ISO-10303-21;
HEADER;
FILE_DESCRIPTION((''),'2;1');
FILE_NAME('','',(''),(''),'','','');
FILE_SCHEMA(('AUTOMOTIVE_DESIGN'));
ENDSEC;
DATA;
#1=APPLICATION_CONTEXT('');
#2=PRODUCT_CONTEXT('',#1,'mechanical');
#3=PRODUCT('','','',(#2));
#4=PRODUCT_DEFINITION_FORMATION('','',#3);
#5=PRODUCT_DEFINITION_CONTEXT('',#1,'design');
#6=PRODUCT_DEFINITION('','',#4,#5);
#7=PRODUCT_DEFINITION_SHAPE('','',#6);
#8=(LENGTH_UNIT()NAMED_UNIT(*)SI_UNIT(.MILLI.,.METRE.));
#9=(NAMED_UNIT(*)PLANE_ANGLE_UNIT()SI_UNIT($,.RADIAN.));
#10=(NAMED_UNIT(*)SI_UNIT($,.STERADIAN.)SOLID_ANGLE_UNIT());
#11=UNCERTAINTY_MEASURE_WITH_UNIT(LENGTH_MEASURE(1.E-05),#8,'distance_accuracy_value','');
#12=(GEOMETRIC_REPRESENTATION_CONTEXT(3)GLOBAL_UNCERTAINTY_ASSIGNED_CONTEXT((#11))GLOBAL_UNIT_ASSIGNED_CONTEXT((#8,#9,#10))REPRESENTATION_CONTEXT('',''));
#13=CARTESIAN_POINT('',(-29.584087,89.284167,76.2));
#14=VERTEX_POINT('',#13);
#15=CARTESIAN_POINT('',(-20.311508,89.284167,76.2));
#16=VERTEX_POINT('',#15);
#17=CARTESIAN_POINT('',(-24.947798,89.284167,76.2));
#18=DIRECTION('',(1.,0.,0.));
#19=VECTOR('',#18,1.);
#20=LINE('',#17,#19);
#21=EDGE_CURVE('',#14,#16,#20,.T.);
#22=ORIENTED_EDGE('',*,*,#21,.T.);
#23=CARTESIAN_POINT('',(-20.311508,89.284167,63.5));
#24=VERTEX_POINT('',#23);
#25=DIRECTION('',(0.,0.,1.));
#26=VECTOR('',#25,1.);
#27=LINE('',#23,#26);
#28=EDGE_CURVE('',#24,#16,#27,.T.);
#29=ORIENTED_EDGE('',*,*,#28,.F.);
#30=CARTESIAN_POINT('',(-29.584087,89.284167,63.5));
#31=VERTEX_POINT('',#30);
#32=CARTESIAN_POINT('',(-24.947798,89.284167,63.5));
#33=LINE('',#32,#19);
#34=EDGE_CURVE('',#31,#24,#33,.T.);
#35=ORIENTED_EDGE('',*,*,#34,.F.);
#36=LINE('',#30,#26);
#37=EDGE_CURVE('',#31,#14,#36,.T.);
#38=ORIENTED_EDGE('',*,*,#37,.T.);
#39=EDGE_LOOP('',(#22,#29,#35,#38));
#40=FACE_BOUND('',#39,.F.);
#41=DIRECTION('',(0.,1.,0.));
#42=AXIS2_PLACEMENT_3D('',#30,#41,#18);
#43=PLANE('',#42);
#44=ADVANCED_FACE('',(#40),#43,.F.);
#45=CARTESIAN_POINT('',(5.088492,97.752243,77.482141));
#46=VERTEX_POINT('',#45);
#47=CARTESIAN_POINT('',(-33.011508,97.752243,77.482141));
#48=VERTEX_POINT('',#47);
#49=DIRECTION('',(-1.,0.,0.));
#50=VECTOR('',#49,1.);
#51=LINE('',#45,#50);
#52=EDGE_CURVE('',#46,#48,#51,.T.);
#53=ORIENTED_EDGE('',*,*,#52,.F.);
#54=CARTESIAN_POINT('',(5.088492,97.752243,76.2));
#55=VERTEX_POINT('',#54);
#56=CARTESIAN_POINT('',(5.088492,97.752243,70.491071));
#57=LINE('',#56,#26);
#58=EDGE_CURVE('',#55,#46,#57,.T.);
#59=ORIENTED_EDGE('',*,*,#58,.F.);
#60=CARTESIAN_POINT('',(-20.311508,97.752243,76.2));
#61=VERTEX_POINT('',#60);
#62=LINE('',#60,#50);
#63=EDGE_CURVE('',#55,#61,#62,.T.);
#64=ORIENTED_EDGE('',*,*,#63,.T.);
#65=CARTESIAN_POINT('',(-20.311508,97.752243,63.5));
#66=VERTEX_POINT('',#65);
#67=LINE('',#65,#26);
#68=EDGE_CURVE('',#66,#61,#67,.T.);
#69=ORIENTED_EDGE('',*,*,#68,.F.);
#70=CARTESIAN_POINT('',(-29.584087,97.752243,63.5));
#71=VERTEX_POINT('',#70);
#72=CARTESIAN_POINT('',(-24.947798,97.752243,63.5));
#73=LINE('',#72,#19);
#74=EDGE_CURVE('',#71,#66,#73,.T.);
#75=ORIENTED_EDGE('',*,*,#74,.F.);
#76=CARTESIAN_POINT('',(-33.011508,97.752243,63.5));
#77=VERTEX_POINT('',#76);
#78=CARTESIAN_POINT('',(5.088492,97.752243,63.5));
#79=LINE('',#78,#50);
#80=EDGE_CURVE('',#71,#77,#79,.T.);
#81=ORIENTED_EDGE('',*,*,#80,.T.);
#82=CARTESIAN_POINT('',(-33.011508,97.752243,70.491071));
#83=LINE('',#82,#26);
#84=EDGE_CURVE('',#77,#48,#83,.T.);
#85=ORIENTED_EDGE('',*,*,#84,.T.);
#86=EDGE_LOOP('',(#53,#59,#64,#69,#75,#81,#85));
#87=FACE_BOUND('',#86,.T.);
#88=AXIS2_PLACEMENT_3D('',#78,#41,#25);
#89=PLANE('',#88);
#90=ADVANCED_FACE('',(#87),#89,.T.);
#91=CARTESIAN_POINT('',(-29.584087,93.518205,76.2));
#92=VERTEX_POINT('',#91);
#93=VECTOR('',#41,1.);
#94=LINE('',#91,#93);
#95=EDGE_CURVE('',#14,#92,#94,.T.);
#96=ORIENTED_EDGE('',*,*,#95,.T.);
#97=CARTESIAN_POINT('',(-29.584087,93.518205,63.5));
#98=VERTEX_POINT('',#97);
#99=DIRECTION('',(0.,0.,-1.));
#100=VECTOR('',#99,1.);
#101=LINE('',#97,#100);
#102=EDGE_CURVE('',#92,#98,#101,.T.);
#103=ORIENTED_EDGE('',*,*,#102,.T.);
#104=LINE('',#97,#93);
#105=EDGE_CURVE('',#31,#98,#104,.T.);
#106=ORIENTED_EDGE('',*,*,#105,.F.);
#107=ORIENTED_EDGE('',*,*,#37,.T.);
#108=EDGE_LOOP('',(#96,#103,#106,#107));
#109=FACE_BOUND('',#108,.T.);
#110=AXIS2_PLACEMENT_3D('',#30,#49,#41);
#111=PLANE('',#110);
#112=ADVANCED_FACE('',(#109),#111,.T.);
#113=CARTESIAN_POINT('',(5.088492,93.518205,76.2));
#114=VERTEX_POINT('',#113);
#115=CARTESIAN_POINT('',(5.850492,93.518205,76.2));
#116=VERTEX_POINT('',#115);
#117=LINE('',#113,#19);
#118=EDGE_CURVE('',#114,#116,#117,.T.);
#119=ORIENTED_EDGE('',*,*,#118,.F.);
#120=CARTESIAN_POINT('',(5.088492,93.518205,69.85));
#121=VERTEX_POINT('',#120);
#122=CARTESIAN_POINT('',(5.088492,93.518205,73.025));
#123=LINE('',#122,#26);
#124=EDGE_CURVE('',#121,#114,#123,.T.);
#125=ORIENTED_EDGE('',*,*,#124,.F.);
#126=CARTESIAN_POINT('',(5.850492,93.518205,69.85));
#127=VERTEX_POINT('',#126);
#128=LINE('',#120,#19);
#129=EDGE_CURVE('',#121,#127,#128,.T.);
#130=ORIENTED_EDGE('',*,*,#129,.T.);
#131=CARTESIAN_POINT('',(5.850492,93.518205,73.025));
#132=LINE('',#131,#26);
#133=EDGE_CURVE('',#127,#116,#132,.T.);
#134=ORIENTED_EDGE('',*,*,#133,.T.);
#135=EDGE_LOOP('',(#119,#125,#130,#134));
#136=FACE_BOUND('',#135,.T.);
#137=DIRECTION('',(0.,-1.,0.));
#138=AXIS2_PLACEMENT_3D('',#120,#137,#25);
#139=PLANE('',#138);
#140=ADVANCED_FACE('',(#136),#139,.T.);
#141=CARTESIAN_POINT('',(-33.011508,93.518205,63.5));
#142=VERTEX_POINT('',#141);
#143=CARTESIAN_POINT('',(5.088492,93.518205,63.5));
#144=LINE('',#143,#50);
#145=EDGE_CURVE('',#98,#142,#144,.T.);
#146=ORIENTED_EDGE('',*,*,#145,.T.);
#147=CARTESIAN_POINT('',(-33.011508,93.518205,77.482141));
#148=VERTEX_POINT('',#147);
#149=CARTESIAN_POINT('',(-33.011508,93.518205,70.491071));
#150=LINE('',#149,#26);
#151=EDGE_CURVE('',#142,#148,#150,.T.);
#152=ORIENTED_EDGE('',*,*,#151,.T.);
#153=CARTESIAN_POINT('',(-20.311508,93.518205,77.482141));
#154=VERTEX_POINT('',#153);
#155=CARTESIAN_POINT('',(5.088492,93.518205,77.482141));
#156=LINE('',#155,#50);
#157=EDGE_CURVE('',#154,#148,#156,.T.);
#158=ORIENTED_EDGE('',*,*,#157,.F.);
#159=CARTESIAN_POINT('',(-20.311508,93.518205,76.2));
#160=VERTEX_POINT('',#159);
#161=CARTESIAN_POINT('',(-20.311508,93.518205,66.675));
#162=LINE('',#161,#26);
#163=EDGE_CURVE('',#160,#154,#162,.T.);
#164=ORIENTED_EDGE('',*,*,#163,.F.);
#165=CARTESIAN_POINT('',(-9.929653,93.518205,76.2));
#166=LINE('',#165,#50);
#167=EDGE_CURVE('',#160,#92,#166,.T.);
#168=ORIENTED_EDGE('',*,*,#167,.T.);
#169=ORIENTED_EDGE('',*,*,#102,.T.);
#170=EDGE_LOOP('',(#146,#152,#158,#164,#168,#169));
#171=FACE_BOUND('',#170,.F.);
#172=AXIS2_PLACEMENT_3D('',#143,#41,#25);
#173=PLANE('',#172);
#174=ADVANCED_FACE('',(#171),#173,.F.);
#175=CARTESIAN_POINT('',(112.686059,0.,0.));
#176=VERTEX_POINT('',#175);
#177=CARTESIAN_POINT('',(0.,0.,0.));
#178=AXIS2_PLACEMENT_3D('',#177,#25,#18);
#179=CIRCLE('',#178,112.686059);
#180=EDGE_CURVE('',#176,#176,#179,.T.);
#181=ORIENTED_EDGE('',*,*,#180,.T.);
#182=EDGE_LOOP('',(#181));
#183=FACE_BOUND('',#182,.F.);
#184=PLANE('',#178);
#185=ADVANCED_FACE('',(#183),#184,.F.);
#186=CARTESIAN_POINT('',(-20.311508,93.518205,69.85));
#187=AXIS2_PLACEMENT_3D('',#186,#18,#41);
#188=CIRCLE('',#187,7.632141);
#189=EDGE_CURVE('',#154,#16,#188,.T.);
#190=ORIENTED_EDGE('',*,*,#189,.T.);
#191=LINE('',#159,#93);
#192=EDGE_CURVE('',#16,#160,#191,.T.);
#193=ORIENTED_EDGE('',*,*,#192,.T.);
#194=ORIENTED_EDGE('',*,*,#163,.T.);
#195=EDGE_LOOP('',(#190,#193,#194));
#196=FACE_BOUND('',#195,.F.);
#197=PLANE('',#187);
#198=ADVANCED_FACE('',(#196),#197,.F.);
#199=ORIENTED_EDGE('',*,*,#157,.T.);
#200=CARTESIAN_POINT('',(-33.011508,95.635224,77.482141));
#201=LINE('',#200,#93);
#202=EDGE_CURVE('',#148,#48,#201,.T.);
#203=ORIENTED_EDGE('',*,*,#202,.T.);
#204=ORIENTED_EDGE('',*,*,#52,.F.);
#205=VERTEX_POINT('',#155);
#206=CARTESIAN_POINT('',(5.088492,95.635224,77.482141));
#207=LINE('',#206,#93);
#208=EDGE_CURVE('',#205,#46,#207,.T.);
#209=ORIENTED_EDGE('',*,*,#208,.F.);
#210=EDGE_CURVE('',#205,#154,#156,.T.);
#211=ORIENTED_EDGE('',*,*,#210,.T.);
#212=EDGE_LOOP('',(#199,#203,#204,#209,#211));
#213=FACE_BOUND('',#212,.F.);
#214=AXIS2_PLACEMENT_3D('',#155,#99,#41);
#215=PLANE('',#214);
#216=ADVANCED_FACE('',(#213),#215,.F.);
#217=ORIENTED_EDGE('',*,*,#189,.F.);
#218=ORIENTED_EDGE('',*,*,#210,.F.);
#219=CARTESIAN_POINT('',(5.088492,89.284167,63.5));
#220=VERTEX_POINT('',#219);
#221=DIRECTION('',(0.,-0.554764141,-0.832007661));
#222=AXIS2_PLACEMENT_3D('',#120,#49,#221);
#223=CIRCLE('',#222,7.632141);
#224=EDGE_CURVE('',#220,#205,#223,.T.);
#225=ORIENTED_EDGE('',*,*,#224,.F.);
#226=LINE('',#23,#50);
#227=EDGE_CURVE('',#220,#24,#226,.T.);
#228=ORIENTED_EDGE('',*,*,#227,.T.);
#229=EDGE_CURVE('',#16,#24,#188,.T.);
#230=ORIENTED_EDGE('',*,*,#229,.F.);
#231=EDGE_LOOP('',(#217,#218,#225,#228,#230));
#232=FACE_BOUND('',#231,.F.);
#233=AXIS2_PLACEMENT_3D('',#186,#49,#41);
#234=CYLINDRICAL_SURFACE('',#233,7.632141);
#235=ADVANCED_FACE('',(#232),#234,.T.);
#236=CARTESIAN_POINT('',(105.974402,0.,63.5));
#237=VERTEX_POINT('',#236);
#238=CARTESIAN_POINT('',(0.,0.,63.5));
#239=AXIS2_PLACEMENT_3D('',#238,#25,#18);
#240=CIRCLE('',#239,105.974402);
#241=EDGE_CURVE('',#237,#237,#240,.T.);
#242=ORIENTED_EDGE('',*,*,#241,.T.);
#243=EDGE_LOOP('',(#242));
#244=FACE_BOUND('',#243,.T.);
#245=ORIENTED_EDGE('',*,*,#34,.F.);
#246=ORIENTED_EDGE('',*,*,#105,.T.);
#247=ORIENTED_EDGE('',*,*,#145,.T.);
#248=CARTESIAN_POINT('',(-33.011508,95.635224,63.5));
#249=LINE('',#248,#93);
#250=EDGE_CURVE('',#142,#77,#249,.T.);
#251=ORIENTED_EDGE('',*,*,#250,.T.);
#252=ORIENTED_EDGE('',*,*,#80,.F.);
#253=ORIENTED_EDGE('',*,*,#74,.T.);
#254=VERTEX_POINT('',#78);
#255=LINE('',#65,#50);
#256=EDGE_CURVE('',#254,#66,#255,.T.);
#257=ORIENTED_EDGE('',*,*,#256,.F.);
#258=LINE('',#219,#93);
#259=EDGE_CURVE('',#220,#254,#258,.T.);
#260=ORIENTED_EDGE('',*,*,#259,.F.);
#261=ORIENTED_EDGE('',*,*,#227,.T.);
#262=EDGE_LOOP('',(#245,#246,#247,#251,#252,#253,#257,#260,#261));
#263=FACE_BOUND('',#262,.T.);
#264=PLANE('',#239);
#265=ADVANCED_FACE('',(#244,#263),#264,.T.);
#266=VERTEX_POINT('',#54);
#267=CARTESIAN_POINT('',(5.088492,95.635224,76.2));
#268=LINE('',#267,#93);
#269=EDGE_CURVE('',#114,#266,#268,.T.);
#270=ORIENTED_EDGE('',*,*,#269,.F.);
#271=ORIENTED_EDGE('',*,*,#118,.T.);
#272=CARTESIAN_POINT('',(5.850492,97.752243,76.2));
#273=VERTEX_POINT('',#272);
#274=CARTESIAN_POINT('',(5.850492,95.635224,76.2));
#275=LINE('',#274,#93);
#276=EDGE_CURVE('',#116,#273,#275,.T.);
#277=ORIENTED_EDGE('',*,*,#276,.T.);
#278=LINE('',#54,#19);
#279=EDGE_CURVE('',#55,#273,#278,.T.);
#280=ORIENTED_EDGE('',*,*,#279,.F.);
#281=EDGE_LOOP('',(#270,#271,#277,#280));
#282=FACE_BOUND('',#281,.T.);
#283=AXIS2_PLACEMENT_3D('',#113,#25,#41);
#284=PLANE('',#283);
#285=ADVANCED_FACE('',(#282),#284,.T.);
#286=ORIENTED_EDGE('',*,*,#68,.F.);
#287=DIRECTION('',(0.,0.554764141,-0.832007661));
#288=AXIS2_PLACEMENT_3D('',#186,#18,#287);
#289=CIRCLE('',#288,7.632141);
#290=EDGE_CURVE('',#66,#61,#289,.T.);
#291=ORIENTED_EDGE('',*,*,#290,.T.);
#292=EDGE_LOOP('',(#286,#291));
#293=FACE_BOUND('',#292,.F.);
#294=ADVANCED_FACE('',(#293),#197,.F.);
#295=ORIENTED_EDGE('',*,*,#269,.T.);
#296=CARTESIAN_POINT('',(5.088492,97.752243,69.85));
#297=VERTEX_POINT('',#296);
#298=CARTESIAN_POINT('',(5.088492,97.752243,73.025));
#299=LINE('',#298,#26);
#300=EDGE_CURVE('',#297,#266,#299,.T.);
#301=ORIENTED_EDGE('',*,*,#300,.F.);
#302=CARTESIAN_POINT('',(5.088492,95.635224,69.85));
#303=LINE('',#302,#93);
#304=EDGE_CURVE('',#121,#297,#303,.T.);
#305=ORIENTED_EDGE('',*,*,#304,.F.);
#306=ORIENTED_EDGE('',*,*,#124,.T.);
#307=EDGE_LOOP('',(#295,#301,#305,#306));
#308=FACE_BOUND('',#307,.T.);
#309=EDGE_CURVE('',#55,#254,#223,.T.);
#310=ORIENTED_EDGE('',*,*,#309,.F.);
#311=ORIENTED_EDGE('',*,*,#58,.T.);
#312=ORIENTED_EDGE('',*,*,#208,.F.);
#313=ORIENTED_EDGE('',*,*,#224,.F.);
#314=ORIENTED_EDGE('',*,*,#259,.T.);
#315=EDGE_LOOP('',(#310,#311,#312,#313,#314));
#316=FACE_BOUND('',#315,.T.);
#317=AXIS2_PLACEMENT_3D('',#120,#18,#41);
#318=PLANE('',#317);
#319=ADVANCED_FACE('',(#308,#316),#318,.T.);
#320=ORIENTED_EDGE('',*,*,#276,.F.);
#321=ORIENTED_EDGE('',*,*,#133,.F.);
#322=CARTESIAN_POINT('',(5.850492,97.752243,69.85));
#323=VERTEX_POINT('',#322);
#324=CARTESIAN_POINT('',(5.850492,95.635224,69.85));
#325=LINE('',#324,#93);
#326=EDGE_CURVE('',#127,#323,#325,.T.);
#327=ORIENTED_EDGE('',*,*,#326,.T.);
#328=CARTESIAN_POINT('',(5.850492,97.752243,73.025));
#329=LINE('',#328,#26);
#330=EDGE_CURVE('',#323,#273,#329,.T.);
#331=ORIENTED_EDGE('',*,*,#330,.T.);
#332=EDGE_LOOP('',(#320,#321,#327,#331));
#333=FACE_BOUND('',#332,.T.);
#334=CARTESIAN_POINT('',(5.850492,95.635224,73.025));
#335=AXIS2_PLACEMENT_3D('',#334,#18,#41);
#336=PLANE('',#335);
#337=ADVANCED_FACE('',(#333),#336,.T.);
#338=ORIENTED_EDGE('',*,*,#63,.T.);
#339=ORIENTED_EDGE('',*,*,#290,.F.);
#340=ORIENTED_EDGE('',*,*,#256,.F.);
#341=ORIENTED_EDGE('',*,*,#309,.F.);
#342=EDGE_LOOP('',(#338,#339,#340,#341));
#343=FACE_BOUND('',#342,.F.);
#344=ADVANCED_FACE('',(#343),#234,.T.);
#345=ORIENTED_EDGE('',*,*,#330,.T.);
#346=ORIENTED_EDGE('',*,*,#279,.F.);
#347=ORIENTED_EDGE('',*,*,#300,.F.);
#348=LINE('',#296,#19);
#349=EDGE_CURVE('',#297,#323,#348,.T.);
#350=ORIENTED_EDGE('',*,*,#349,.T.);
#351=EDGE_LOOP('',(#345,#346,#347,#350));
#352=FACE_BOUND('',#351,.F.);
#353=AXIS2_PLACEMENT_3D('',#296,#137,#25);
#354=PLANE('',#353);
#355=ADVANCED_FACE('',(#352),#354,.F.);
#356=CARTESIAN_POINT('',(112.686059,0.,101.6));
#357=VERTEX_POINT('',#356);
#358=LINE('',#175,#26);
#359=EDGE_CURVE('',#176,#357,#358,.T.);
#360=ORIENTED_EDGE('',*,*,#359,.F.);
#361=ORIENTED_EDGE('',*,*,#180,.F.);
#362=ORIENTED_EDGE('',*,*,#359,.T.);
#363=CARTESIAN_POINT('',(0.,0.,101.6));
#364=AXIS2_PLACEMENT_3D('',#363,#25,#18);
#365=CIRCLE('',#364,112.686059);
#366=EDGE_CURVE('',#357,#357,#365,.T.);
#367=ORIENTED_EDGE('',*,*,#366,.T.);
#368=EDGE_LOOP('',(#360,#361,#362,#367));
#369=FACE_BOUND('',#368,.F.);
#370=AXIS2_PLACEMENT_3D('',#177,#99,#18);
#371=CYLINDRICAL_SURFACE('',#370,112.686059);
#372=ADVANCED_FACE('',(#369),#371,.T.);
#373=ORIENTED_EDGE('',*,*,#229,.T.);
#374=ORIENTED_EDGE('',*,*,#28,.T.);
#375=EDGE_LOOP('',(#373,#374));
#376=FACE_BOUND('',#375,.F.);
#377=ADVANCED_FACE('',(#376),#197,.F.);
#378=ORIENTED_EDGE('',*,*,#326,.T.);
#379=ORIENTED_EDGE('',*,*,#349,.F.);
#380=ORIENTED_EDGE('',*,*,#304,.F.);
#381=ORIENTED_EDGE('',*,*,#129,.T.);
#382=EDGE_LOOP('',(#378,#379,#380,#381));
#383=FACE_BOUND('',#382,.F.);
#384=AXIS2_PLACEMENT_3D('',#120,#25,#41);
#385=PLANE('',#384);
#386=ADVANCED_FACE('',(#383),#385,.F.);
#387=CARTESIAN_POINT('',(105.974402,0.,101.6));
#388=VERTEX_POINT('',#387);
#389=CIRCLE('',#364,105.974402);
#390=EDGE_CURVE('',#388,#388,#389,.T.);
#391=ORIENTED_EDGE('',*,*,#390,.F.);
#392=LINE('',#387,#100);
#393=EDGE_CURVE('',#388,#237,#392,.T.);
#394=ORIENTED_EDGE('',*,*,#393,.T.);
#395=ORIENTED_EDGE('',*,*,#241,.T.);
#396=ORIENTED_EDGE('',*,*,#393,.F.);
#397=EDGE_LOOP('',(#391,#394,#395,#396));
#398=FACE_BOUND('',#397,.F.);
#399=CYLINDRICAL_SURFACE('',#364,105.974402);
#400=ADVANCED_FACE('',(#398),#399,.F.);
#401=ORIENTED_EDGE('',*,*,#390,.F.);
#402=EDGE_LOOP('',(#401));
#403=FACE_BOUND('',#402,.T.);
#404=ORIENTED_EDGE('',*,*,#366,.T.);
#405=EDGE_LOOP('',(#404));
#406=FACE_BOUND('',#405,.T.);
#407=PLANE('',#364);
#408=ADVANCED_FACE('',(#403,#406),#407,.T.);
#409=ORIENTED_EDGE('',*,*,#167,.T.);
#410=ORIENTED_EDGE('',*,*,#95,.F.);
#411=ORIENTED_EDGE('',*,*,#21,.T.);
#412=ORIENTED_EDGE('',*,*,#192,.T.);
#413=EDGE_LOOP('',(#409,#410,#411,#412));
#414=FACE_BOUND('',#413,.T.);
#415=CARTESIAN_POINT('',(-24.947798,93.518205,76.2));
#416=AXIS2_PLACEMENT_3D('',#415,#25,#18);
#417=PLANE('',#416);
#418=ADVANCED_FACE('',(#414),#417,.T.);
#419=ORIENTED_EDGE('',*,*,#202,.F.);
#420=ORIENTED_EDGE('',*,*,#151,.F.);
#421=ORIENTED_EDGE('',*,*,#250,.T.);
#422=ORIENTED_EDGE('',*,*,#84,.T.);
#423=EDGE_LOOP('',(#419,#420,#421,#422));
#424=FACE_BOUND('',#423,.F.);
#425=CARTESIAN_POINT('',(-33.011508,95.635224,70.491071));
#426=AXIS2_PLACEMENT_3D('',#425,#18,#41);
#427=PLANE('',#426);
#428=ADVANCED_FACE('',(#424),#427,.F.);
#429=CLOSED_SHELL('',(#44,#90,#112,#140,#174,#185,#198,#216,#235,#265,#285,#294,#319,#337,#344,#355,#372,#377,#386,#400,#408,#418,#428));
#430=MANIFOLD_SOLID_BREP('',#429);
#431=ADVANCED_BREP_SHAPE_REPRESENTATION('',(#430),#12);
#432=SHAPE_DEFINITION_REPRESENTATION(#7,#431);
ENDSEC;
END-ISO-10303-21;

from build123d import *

# Parameters (mm, degrees)
F0_R      = 112.6860587027
F1_DEPTH  = 101.6
F2_R      = 105.9744016923
F3_DEPTH  = 88.9
F4_DEPTH  = 25.4
F5_DEPTH  = 25.4
F6_W      = 9.2725791037
F6_H      = 8.4680765867
F7_DEPTH  = 12.7
F8_R      = 7.6321412637
F9_DEPTH  = 25.4
F10_W     = 4.2340382934
F10_H     = 13.9821412637
F11_DEPTH = 38.1
F12_W     = 4.2340382934
F12_H     = 6.35
F13_DEPTH = 0.762


with BuildPart() as f1:
    # F0 (on Top) → F1 (new body)
    with BuildSketch(Plane.XY):
        Circle(F0_R)
    extrude(amount=F1_DEPTH)

    # F2 (on face) → F3 (cut)
    with BuildSketch(Plane.XY.offset(101.6)):
        Circle(F2_R)
    extrude(amount=-F3_DEPTH, mode=Mode.SUBTRACT)

    # F4 (add): a face of the model
    f4_faces = [f1.faces().sort_by_distance(p)[0] for p in [
        (0, 0, 12.7),
    ]]
    extrude(f4_faces, amount=F4_DEPTH)

    # F5 (add): a face of the model
    f5_faces = [f1.faces().sort_by_distance(p)[0] for p in [
        (0, 0, 38.1),
    ]]
    extrude(f5_faces, amount=F5_DEPTH)

    # F6 (on face) → F7 (join)
    with BuildSketch(Plane.XY.offset(63.5)):
        with Locations((-24.9477978796, 93.518204987)):
            Rectangle(F6_W, F6_H)
    extrude(amount=F7_DEPTH)

    # F8 (on face) → F9 (join)
    with BuildSketch(Plane.YZ.offset(-20.3115083277)):
        with Locations((93.518204987, 69.85)):
            Circle(F8_R)
    extrude(amount=F9_DEPTH)

    # F10 (on face) → F11 (join)
    with BuildSketch(Plane.YZ.offset(5.0884916723)):
        with Locations((95.6352241337, 70.4910706319)):
            Rectangle(F10_W, F10_H)
    extrude(amount=-F11_DEPTH)

    # F12 (on face) → F13 (join)
    with BuildSketch(Plane.YZ.offset(5.0884916723)):
        with Locations((95.6352241337, 73.025)):
            Rectangle(F12_W, F12_H)
    extrude(amount=F13_DEPTH)


solid = f1.part
